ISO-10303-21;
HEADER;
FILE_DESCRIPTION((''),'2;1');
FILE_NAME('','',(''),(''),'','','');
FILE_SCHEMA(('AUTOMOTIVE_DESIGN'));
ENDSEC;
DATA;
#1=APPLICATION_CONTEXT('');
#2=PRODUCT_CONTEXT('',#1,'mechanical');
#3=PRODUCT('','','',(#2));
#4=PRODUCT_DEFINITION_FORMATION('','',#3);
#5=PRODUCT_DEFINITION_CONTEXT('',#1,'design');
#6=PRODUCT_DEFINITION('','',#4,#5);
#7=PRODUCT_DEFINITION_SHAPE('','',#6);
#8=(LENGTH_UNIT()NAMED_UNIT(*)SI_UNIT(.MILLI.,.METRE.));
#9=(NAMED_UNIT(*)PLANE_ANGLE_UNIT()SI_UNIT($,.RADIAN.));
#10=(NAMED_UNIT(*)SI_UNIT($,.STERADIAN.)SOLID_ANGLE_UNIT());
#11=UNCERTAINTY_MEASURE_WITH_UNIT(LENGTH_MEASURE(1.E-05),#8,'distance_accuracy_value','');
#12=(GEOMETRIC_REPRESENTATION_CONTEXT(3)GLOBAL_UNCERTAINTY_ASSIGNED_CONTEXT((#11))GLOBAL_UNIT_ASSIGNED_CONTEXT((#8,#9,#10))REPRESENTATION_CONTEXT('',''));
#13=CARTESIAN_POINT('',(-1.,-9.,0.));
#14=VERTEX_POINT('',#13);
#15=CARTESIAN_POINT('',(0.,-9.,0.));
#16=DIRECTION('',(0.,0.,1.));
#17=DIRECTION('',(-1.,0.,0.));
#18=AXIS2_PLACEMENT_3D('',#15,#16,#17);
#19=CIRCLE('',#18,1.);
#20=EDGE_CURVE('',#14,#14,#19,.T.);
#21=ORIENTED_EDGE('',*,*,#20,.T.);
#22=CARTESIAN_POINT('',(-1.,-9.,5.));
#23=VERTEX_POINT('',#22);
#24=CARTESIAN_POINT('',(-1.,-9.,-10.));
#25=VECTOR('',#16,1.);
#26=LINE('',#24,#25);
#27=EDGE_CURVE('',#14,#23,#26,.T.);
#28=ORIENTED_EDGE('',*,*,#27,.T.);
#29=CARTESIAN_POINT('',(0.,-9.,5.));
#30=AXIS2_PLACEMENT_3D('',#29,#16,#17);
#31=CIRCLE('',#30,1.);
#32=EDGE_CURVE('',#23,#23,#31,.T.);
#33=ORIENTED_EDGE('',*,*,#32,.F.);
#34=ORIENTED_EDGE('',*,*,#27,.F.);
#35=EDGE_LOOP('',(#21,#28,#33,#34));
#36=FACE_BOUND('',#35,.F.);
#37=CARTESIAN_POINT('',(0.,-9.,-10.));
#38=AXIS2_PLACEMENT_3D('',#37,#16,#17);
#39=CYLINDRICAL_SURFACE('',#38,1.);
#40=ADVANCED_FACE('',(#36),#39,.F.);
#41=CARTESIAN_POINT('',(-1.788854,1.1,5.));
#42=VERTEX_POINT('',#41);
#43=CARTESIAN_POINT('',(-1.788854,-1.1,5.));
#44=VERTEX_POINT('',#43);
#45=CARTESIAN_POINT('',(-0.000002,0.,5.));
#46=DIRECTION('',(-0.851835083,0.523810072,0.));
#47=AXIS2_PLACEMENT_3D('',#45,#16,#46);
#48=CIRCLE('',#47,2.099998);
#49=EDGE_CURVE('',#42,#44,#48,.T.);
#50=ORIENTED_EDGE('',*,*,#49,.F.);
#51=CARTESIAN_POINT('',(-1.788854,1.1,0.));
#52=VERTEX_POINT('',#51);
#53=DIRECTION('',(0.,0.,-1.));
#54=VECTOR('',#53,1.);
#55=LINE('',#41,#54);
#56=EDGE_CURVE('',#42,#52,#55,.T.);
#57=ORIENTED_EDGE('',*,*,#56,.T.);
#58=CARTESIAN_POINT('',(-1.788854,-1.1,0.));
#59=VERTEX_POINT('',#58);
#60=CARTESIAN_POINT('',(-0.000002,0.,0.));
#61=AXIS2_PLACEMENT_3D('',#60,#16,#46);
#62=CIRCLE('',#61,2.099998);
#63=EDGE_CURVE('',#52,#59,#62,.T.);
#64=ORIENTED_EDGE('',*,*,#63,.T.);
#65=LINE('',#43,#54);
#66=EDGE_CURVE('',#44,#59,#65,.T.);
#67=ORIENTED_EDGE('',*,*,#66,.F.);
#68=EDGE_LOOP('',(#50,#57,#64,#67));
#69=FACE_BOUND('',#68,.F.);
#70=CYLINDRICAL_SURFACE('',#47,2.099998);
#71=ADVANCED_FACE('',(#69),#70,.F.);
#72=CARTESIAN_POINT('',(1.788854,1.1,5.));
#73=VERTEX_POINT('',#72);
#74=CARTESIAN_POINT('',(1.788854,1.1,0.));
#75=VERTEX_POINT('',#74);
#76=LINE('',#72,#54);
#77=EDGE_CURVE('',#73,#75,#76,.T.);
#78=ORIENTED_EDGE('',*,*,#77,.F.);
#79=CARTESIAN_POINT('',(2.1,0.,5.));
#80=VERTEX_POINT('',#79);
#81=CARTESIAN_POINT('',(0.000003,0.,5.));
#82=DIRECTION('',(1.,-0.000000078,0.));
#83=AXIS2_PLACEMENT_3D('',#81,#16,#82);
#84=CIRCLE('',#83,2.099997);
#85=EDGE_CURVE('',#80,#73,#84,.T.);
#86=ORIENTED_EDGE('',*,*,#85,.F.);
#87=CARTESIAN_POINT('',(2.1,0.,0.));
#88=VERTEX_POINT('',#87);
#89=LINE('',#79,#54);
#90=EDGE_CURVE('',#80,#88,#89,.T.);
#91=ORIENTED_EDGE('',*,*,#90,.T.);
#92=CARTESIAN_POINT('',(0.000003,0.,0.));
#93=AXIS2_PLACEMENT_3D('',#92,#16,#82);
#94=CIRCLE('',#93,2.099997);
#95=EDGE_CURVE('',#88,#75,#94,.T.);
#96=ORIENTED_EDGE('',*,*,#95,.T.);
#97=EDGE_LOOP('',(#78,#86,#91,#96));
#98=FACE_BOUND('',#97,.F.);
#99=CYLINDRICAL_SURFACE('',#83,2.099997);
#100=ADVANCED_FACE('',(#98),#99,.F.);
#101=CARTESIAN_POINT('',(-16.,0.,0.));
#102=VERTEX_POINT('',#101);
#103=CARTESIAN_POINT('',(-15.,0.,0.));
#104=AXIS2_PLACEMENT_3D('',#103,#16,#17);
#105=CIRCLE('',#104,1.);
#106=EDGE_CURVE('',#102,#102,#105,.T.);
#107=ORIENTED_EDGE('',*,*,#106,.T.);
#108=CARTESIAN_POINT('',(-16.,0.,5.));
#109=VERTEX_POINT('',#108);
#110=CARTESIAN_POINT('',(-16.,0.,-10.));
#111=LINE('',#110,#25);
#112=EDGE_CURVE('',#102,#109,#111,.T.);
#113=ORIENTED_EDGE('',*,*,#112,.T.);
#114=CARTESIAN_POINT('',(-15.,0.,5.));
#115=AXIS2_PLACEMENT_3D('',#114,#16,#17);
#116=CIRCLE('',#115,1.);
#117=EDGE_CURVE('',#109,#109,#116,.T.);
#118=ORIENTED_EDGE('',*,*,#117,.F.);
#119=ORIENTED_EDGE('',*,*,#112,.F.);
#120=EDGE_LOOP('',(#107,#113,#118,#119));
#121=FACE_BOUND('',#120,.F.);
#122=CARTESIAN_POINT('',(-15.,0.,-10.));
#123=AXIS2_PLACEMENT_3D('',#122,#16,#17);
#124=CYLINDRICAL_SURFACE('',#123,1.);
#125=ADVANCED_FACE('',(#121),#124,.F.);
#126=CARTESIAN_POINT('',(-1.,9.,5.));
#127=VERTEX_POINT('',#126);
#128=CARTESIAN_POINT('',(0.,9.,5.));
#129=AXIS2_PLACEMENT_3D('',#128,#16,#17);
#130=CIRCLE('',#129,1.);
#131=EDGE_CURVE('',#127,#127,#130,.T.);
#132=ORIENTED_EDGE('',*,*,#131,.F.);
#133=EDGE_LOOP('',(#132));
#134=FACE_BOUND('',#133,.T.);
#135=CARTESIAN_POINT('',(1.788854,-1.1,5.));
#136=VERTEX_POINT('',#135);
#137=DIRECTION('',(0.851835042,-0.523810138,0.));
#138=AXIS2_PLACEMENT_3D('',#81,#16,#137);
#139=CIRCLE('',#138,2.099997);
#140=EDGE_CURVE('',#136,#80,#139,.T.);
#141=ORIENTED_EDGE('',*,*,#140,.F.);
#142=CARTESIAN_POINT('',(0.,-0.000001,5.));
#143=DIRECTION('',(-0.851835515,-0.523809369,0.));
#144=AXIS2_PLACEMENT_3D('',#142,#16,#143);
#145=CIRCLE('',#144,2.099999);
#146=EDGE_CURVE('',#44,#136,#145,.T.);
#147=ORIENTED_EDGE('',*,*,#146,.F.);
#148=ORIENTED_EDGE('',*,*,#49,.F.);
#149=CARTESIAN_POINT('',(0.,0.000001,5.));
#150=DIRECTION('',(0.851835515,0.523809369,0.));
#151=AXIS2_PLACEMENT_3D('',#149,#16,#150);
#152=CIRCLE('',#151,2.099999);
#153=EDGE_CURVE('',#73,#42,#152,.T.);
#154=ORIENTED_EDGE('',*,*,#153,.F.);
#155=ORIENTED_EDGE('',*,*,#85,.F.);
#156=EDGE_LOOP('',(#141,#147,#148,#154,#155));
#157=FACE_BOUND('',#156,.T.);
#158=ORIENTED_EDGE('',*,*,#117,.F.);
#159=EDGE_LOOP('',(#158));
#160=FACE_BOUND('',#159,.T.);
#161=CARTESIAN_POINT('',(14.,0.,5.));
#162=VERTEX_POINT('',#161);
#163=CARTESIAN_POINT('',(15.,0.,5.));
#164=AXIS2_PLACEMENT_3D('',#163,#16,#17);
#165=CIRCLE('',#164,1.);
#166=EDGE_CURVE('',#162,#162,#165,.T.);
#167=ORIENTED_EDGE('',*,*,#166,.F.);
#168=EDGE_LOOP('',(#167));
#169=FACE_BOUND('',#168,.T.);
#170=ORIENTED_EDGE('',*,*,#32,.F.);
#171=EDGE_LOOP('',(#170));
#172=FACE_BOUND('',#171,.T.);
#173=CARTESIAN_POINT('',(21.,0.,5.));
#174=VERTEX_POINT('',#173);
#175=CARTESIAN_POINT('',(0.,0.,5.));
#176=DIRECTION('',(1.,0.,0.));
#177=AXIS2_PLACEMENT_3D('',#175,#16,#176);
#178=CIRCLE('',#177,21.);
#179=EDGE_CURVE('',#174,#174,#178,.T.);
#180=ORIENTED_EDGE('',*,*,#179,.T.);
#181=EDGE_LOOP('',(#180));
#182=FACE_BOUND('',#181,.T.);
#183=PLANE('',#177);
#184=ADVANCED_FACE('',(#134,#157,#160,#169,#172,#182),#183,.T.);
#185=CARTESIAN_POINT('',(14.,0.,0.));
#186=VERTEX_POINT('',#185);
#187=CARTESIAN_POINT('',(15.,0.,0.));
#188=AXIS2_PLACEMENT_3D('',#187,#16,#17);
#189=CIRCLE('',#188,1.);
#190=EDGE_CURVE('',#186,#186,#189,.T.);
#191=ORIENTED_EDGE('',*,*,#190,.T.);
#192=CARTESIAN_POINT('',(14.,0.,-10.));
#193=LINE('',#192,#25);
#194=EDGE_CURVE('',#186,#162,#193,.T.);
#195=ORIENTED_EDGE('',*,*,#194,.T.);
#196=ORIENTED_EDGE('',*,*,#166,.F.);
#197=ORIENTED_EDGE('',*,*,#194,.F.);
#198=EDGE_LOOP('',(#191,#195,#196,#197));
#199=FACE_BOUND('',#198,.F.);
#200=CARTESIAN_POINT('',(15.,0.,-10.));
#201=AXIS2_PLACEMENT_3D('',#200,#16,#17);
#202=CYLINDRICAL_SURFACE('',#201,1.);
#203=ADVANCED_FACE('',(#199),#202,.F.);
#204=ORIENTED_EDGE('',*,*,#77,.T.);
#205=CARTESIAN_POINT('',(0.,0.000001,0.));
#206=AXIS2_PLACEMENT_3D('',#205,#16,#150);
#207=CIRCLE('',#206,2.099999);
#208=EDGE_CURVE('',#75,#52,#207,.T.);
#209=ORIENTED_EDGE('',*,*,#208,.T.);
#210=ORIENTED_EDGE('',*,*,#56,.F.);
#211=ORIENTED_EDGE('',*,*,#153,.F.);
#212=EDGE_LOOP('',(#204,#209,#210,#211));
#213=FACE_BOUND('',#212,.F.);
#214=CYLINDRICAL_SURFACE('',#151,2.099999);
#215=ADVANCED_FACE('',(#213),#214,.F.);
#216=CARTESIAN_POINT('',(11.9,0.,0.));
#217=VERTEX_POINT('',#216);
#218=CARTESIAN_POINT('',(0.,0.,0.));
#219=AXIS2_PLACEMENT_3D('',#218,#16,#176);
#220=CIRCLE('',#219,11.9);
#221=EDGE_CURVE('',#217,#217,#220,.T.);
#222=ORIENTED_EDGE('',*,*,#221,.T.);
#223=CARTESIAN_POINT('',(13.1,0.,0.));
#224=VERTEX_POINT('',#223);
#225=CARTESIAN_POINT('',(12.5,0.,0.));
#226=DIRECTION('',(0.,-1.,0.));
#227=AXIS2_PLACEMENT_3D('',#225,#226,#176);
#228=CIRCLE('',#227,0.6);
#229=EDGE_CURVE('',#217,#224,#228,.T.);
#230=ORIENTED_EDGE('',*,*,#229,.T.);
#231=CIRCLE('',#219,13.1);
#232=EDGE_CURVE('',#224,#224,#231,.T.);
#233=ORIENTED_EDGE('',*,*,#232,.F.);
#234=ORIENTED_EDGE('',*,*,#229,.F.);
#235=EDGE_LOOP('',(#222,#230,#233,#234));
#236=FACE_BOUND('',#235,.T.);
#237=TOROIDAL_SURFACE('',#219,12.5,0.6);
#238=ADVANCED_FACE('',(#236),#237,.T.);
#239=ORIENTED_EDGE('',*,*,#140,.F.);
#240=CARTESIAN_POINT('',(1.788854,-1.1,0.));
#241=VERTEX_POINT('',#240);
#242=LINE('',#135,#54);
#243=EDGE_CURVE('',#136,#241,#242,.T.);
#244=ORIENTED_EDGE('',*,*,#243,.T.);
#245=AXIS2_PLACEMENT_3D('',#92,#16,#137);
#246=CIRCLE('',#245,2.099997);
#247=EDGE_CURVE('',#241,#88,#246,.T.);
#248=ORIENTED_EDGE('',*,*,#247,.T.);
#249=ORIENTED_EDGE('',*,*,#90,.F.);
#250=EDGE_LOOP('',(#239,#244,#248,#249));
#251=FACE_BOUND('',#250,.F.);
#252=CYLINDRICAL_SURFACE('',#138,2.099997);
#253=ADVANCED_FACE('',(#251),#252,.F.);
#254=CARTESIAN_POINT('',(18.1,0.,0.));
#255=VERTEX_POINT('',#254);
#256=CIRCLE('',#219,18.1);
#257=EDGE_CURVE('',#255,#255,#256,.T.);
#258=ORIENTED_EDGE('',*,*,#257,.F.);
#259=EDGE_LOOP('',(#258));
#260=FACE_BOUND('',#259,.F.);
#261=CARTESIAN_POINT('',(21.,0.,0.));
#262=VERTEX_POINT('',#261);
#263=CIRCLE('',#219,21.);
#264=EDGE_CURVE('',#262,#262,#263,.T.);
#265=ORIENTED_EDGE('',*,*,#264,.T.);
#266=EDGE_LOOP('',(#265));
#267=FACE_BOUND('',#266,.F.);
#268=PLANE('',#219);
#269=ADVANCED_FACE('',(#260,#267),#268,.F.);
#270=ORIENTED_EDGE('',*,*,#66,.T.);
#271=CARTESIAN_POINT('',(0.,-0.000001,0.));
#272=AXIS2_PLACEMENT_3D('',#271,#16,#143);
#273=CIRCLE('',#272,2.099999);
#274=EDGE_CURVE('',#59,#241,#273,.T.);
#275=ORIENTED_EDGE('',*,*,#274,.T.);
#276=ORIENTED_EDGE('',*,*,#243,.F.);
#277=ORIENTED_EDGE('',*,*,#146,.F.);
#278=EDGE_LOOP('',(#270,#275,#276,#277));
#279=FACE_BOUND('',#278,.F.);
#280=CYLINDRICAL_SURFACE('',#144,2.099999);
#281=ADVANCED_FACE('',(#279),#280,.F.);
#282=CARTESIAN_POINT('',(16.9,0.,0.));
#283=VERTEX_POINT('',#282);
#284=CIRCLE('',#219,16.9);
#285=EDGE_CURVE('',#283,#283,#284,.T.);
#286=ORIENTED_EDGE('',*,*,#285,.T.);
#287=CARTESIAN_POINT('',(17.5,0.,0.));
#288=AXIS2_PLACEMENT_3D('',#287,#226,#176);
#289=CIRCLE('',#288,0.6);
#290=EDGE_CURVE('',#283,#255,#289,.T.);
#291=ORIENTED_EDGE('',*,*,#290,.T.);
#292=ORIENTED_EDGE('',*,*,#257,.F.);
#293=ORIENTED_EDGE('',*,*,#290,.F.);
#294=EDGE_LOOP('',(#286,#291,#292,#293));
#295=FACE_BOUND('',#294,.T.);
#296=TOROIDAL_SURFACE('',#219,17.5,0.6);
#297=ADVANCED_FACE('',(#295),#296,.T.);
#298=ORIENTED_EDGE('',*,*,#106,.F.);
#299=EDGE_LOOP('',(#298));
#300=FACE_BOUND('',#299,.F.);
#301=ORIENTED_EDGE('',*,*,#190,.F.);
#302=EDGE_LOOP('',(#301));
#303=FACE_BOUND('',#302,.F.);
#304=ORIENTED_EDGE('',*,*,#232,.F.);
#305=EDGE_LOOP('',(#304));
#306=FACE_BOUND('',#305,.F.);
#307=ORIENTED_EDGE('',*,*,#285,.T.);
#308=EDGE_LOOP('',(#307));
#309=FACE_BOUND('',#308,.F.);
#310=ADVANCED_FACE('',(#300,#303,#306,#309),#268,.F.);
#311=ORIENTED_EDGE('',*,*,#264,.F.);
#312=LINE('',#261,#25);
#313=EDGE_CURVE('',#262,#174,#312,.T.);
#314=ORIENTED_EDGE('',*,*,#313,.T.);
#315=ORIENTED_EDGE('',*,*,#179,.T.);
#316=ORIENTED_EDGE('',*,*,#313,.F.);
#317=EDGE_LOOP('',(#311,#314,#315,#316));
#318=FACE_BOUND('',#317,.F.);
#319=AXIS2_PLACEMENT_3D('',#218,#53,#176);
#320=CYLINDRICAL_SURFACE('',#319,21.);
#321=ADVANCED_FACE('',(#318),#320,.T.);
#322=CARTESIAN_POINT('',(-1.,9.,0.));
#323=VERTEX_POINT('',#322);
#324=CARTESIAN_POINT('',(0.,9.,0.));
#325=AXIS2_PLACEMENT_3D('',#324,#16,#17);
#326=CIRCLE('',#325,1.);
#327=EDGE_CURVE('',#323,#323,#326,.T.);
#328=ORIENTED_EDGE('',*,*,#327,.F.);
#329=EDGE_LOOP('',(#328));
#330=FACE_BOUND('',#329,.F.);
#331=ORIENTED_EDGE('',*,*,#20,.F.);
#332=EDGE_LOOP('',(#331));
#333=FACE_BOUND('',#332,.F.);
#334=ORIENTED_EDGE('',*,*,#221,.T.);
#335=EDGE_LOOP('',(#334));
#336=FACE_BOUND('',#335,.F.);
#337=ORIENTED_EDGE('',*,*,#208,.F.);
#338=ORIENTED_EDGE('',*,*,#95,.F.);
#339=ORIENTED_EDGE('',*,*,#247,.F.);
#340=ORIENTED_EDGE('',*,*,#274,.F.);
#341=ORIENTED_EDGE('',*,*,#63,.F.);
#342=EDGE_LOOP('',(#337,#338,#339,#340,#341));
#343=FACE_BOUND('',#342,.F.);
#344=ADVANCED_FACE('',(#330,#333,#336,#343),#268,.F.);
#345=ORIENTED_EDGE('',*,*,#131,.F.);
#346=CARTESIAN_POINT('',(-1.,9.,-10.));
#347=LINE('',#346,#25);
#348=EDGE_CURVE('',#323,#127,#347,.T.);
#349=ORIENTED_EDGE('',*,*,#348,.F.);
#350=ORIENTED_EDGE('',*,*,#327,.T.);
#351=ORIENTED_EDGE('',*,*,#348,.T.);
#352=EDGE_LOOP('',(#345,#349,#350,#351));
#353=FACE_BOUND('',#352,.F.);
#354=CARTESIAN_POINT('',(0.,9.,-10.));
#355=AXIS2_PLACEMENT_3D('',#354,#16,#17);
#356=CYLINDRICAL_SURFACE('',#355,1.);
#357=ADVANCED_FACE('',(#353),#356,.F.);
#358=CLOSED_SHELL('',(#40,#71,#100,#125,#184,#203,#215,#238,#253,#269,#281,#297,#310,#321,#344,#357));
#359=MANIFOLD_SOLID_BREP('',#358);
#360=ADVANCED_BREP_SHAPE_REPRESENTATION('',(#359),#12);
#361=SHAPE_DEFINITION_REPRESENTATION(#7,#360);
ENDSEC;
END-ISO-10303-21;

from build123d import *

# Parameters (mm, degrees)
F0_R     = 21
F1_DEPTH = 5
F2_D     = 2
F2_DEPTH = 10
F8_DEPTH = 25


with BuildPart() as f1:
    # F0 (on Top) → F1 (new body)
    with BuildSketch(Plane.XY):
        Circle(F0_R)
    extrude(amount=F1_DEPTH)

    # F2
    with Locations(Plane(origin=(0, 0, 0), x_dir=(1, 0, 0), z_dir=(0, 0, -1))):
        with Locations((0, 9), (15, 0), (0, -9), (-15, 0)):
            Hole(F2_D / 2, depth=F2_DEPTH)

    # F6: sweep along a path in F3
    with BuildLine(Plane.XY) as f6_path:
        CenterArc((0, 0), 12.5, 0, 360)
    # F5 (on Front) → F6 (sweep)
    with BuildSketch(Plane.XZ):
        with BuildLine():
            Line((-11.9, 0), (-13.1, 0))
            ThreePointArc((-13.1, 0), (-12.5, -0.6), (-11.9, 0))
        make_face()
    sweep(path=f6_path.line)

    # F7 (on face) → F8 (cut)
    with BuildSketch(Plane.XY.offset(5)):
        with BuildLine():
            ThreePointArc((1.788854, -1.1), (2.020717, -0.571579), (2.1, 0))
            ThreePointArc((2.1, 0), (2.020717, 0.571579), (1.788854, 1.1))
            Line((1.788854, 1.1), (-1.788854, 1.1))
            ThreePointArc((-1.788854, 1.1), (-2.1, 0), (-1.788854, -1.1))
            Line((-1.788854, -1.1), (1.788854, -1.1))
        make_face()
        with BuildLine():
            ThreePointArc((-1.788854, -1.1), (0, -2.1), (1.788854, -1.1))
            Line((1.788854, -1.1), (-1.788854, -1.1))
        make_face()
        with BuildLine():
            Line((-1.788854, 1.1), (1.788854, 1.1))
            ThreePointArc((1.788854, 1.1), (0, 2.1), (-1.788854, 1.1))
        make_face()
    extrude(amount=-F8_DEPTH, mode=Mode.SUBTRACT)

    # F11: sweep along a path in F9
    with BuildLine(Plane.XY) as f11_path:
        CenterArc((0, 0), 17.5, 0, 360)
    # F10 (on Front) → F11 (sweep)
    with BuildSketch(Plane.XZ):
        with BuildLine():
            Line((18.1, 0), (16.9, 0))
            ThreePointArc((16.9, 0), (17.5, -0.6), (18.1, 0))
        make_face()
    sweep(path=f11_path.line)


solid = f1.part
